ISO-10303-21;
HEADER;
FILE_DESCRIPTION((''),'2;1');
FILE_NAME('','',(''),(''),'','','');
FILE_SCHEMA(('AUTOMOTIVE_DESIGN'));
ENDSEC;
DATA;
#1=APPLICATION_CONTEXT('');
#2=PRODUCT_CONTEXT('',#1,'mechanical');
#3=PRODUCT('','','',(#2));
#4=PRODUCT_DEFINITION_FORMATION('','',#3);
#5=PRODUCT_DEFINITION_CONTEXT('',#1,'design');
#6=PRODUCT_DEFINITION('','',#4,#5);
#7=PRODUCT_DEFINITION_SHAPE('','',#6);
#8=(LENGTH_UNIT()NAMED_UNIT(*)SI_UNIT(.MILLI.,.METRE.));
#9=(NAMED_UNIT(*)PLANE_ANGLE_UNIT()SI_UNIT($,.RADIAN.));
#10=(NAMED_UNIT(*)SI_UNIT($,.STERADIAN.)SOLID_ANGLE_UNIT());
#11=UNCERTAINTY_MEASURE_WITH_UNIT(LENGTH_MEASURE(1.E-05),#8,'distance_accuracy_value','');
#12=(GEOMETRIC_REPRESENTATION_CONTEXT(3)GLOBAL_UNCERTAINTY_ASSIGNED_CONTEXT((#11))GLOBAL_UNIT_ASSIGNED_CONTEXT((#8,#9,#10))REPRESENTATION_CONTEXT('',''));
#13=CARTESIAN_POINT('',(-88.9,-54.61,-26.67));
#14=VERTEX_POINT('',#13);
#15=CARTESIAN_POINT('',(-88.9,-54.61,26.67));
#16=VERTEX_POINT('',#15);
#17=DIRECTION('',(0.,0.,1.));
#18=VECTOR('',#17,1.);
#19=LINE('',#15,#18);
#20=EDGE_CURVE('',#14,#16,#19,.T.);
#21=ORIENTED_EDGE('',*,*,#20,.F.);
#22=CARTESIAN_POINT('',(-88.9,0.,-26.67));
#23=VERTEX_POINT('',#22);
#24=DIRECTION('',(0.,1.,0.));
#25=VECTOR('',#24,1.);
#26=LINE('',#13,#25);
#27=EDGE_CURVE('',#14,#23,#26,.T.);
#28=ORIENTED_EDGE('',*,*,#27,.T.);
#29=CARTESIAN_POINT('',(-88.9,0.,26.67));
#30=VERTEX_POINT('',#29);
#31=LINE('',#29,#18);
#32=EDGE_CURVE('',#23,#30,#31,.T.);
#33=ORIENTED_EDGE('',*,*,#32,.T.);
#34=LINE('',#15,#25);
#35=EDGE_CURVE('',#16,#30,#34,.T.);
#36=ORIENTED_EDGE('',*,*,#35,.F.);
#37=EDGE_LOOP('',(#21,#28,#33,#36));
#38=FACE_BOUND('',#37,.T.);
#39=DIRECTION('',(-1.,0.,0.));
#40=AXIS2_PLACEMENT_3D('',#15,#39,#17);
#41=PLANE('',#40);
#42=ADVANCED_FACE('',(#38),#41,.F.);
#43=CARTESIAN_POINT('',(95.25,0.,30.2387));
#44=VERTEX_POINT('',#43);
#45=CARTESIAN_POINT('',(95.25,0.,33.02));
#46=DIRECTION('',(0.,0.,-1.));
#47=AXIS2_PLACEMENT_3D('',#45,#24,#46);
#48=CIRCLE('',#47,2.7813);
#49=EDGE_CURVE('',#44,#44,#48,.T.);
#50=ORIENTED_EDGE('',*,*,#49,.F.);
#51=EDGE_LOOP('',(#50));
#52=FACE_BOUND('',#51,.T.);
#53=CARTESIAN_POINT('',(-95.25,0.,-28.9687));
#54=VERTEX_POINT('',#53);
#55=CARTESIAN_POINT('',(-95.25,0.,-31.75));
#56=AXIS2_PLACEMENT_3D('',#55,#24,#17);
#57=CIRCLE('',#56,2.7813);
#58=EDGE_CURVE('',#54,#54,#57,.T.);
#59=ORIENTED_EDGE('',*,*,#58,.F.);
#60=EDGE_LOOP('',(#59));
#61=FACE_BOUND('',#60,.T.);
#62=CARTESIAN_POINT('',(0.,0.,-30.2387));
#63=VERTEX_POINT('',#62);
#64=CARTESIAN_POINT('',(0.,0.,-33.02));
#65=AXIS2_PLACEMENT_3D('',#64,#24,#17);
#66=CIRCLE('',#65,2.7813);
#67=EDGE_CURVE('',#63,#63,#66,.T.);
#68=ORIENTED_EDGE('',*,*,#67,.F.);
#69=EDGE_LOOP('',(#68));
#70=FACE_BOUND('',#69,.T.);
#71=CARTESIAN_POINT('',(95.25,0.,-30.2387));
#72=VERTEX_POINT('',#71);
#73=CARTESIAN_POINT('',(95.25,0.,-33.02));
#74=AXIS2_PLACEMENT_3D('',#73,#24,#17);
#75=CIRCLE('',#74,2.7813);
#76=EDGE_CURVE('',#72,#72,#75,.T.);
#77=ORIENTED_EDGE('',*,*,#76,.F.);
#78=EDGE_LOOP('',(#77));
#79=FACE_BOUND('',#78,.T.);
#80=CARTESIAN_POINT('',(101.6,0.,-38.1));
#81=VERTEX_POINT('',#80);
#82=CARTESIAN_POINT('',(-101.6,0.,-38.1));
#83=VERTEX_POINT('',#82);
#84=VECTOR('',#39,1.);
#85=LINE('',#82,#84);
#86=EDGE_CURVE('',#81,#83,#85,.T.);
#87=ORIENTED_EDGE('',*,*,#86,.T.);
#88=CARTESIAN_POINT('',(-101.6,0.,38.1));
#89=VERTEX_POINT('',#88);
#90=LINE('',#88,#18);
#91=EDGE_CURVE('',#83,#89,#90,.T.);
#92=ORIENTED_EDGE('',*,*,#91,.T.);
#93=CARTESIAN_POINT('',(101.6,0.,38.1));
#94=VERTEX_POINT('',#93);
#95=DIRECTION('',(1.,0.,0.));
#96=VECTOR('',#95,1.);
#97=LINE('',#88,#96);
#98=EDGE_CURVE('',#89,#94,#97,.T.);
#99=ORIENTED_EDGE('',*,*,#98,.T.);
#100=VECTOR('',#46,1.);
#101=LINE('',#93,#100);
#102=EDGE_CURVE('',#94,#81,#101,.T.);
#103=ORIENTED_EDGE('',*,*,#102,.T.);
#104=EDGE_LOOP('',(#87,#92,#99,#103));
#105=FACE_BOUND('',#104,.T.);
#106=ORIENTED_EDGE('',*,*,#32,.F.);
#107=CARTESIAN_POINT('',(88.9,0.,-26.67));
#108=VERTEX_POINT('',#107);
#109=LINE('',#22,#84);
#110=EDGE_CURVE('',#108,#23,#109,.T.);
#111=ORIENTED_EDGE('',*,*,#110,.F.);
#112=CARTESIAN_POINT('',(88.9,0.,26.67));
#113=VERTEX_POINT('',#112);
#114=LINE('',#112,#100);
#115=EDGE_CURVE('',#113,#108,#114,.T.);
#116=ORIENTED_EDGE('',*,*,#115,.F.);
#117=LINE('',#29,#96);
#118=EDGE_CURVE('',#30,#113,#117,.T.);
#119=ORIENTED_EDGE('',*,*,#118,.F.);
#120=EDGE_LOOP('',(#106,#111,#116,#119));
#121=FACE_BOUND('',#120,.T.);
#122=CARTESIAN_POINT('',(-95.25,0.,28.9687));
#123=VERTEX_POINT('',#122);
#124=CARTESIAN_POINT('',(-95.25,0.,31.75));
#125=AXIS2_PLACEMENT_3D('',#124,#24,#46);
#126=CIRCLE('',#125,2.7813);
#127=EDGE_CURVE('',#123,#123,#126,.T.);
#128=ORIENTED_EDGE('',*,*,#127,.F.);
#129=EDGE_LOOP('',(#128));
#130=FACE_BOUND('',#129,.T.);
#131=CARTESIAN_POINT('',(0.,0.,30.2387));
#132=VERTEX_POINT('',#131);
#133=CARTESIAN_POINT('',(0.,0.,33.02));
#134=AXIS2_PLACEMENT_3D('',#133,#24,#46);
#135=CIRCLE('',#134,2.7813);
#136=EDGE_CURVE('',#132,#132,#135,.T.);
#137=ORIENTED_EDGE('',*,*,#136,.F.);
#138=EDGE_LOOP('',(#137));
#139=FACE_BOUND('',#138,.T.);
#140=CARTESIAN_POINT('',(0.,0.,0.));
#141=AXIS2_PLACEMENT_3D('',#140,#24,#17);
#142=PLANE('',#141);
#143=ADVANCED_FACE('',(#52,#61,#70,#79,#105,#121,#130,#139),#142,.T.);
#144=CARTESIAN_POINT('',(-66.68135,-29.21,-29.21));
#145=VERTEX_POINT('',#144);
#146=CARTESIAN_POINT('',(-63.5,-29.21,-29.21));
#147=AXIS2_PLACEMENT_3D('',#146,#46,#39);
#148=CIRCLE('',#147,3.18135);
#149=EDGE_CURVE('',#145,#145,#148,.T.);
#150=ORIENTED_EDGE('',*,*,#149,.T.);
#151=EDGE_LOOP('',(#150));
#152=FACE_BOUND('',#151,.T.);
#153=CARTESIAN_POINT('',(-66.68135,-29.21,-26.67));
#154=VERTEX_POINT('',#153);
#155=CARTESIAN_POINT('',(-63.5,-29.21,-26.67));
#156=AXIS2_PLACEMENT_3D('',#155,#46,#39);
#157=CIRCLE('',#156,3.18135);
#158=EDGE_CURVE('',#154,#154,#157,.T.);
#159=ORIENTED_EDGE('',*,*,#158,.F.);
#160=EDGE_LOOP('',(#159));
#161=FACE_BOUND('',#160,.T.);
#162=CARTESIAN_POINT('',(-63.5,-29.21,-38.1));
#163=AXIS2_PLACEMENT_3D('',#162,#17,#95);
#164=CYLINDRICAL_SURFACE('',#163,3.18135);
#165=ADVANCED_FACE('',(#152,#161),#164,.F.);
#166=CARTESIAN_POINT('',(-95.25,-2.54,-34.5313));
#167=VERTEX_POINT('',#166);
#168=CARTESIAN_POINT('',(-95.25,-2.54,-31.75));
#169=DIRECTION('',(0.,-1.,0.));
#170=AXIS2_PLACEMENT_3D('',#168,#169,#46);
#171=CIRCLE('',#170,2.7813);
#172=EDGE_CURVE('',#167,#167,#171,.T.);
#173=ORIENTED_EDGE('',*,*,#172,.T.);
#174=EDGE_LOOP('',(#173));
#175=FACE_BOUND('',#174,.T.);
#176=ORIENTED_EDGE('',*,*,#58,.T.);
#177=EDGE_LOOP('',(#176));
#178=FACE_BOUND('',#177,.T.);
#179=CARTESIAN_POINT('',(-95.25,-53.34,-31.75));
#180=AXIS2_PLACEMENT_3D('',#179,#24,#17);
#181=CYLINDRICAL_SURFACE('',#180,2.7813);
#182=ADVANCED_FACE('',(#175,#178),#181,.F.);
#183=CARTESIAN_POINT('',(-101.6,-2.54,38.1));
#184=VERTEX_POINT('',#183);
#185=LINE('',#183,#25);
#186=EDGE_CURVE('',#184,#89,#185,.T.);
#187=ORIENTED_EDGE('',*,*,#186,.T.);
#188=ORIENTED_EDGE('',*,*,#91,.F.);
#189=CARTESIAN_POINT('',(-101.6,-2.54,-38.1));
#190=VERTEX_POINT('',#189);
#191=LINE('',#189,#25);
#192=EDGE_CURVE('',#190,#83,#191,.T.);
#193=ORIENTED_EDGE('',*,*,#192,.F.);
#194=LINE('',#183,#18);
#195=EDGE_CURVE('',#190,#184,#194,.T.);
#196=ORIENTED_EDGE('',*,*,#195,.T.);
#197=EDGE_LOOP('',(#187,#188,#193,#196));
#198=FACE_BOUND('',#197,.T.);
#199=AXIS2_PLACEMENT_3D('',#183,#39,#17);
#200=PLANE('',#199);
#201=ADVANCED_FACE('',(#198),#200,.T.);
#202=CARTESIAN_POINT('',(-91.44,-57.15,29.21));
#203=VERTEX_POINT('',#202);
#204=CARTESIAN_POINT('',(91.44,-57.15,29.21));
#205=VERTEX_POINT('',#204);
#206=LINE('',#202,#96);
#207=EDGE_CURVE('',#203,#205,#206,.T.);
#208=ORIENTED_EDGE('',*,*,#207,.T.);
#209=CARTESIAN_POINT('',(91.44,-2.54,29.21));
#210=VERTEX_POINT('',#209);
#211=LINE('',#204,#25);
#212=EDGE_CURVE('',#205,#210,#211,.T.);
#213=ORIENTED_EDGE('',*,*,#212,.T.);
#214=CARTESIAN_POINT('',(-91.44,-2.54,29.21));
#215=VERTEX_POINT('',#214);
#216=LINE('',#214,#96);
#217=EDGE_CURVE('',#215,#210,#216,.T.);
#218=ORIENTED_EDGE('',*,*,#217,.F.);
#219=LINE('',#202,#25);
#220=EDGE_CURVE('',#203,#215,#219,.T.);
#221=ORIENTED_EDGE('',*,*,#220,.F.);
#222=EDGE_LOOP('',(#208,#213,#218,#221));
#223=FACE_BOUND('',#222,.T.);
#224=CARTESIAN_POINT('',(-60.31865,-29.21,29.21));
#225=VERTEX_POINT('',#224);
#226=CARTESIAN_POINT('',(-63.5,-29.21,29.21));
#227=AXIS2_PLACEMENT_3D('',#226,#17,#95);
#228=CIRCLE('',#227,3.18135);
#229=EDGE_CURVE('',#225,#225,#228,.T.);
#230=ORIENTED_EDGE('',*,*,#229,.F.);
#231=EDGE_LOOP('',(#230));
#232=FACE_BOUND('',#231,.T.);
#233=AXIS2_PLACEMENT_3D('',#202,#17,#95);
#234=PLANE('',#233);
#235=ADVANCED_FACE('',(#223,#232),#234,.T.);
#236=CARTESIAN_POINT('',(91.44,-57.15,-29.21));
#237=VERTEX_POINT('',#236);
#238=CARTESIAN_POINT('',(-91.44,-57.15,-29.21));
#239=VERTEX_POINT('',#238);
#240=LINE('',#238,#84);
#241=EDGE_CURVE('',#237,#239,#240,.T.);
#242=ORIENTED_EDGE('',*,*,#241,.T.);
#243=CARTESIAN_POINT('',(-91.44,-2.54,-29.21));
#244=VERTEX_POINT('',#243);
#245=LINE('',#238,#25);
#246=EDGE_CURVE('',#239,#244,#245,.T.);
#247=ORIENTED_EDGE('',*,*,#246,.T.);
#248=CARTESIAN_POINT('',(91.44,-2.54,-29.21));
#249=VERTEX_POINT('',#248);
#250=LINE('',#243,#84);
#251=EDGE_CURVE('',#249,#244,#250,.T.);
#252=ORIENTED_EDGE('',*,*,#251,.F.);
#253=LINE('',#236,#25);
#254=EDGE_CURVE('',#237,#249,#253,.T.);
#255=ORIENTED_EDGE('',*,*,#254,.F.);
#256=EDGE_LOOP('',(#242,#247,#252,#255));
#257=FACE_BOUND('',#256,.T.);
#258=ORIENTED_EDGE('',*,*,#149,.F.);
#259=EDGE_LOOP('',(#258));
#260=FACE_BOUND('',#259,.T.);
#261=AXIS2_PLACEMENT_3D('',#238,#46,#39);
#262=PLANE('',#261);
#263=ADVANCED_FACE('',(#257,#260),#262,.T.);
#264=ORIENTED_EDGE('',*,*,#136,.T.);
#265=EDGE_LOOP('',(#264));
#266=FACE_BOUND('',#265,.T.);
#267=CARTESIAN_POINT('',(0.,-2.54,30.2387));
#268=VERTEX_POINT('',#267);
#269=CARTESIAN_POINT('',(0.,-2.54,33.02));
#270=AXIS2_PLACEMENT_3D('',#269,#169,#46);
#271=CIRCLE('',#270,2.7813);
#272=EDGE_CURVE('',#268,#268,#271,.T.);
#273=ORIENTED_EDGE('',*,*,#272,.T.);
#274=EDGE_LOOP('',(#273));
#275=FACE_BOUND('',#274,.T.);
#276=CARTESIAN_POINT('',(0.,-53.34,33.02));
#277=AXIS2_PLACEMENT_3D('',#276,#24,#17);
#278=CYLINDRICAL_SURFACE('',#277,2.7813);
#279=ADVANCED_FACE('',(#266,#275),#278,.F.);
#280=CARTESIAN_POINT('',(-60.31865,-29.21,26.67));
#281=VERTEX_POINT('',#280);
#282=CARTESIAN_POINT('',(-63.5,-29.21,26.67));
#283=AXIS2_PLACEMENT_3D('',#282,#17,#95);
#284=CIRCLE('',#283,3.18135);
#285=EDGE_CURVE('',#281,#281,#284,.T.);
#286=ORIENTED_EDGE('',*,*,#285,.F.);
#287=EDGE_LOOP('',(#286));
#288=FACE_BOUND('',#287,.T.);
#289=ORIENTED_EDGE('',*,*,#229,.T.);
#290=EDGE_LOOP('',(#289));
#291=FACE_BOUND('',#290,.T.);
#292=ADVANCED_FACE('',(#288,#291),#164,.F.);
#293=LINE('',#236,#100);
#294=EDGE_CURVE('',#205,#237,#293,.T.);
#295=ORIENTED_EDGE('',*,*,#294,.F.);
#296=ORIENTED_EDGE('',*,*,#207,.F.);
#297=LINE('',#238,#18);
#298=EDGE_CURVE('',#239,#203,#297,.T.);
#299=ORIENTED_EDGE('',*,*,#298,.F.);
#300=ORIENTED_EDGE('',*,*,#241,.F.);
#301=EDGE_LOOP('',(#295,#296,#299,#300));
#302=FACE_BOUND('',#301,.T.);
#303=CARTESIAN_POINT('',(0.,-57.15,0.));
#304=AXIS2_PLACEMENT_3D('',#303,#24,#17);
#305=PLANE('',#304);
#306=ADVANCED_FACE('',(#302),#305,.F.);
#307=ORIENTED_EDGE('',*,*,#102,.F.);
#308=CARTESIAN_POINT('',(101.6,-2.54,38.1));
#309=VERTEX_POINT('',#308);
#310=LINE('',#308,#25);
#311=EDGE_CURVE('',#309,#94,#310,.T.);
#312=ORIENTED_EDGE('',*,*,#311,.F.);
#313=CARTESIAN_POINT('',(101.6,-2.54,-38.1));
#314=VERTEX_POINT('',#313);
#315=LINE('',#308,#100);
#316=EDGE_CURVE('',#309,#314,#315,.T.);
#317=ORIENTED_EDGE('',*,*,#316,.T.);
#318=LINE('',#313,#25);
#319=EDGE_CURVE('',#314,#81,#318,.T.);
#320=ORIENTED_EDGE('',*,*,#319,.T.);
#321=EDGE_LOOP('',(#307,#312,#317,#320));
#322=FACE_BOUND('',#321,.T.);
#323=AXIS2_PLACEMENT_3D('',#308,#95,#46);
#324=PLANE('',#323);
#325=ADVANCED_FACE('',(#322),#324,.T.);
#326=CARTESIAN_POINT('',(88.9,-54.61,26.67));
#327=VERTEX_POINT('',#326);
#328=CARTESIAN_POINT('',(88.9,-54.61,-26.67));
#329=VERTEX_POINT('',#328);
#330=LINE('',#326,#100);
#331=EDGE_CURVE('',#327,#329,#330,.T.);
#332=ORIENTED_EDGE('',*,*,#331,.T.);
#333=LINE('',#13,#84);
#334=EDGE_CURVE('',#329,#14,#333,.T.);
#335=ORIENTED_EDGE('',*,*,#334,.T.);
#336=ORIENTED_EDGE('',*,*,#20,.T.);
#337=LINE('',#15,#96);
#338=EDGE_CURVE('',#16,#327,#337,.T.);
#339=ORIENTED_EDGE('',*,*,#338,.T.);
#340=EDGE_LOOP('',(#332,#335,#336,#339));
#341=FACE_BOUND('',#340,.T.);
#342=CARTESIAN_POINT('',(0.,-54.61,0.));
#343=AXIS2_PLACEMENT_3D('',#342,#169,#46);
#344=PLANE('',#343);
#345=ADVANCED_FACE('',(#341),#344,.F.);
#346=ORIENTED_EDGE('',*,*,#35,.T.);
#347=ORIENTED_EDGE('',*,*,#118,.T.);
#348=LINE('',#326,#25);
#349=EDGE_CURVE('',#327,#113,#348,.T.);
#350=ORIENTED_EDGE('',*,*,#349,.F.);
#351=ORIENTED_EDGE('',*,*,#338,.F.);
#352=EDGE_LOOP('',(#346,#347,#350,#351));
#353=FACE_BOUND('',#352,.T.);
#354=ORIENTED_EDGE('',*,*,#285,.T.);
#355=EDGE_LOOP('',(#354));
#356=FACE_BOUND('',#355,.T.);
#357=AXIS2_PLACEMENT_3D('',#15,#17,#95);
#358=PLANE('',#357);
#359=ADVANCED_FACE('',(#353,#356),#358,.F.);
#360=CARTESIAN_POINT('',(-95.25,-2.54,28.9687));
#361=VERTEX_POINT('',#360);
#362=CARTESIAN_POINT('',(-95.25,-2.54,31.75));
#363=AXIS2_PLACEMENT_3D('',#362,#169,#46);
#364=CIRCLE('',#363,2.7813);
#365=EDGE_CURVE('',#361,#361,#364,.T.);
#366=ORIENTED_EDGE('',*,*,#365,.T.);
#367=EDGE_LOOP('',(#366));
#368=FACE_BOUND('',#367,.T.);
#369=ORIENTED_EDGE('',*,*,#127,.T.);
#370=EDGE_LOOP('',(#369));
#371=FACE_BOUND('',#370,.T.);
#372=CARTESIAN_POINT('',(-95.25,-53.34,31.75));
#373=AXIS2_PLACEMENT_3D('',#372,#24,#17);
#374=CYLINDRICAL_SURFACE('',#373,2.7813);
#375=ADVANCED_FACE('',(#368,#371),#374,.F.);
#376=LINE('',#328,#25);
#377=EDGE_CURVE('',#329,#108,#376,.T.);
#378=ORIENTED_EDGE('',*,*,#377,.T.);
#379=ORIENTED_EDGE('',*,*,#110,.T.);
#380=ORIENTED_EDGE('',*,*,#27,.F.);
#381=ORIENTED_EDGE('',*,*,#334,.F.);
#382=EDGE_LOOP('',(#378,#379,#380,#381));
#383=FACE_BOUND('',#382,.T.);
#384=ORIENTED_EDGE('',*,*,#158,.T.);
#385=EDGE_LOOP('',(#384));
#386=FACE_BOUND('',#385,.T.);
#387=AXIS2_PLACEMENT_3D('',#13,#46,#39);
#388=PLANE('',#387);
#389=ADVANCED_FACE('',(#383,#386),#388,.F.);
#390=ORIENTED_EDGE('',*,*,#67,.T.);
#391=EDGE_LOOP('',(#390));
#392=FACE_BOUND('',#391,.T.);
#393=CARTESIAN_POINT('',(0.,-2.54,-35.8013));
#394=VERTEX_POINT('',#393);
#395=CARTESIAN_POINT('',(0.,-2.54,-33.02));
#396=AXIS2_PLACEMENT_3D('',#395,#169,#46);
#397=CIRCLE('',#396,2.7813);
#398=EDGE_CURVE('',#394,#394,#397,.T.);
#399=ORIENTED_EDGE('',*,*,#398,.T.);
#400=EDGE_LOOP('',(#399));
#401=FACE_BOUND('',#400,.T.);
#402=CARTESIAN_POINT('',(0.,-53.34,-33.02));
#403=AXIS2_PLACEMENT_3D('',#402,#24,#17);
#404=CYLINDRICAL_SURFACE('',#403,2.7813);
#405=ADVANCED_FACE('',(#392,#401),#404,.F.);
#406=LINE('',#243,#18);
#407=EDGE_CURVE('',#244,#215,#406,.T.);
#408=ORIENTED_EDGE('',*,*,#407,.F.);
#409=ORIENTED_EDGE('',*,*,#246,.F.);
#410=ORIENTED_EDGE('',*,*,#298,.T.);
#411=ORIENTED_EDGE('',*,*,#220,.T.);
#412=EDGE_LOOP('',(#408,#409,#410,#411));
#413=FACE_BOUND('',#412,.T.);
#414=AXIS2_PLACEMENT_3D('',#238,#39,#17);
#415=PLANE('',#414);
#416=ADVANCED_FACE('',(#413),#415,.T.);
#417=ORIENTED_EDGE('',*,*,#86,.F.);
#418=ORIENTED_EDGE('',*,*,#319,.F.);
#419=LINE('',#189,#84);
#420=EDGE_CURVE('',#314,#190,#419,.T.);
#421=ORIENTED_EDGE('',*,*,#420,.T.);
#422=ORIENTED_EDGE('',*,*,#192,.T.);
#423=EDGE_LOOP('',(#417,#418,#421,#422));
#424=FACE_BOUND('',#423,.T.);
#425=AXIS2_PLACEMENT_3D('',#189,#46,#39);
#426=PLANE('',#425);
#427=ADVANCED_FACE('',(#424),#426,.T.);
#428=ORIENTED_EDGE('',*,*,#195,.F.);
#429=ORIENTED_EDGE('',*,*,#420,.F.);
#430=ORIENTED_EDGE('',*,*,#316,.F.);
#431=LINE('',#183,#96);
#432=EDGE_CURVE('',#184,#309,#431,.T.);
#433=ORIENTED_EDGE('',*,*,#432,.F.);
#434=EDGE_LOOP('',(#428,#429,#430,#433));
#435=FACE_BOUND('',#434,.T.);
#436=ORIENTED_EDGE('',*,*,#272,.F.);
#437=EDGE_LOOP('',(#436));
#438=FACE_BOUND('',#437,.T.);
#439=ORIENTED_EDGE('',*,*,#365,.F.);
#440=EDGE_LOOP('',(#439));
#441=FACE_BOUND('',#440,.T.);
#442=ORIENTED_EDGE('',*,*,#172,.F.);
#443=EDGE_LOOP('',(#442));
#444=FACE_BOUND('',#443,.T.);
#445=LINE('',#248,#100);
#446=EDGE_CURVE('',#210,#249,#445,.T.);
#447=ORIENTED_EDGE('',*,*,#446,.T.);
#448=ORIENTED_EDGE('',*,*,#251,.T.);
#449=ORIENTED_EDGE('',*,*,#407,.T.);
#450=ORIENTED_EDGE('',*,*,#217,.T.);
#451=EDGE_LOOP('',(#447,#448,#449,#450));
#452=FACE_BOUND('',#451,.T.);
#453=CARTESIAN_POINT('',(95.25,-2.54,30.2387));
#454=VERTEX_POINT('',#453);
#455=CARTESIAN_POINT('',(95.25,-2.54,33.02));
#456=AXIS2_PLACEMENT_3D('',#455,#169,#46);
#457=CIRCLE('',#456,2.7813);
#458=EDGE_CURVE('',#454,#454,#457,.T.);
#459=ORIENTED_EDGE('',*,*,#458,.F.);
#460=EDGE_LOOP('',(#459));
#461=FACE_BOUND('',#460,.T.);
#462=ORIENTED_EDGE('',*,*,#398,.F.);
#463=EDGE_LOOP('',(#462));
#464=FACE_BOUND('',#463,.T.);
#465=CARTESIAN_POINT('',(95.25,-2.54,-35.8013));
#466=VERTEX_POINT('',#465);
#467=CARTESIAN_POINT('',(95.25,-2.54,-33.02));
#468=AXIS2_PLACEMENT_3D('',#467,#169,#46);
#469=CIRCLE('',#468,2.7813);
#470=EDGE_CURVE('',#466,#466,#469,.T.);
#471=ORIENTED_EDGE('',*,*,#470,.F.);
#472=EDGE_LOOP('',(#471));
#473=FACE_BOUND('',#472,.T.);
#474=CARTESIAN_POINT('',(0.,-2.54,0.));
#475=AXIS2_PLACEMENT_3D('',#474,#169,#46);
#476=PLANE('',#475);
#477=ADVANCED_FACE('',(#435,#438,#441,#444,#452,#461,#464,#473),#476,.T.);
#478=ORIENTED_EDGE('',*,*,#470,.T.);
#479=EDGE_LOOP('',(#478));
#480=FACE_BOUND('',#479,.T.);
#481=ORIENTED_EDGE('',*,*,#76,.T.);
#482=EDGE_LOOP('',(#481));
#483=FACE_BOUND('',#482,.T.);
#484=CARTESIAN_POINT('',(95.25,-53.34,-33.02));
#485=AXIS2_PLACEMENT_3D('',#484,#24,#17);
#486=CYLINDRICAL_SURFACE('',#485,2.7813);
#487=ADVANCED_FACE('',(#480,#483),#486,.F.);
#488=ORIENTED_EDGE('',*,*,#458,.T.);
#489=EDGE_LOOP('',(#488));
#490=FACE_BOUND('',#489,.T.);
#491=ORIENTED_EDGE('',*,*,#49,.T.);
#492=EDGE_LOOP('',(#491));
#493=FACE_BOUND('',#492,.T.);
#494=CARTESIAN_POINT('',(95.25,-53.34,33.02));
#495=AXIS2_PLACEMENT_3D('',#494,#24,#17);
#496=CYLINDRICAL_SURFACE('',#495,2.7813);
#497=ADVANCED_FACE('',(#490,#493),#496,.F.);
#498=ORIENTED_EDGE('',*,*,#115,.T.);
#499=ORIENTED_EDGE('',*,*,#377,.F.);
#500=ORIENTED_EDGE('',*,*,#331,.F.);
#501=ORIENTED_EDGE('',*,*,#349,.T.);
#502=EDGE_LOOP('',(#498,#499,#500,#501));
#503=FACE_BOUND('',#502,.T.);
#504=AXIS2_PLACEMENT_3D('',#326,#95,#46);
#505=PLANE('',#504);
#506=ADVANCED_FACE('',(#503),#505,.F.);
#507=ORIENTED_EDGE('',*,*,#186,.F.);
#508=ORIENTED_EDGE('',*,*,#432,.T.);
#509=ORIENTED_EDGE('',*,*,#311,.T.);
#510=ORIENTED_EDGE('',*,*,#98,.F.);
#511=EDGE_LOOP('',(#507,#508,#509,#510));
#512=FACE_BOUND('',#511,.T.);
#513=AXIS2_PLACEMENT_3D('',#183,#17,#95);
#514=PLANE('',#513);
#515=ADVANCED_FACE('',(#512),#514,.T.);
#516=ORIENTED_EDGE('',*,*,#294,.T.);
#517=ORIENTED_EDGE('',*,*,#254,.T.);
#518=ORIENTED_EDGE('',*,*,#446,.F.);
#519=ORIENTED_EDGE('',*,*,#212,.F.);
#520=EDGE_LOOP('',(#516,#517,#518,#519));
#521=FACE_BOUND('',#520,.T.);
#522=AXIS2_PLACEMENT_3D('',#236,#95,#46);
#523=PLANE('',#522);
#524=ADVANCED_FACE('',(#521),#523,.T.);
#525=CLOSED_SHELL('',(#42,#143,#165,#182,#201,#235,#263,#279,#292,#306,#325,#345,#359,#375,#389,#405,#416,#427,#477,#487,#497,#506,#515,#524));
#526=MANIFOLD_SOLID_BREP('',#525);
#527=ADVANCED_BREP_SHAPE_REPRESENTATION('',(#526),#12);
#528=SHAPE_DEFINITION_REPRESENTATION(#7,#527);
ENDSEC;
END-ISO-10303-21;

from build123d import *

# Parameters (mm, degrees)
SKETCH3_W           = 182.88
SKETCH3_H           = 58.42
BOSS_EXTRUDE1_DEPTH = 57.15
SKETCH4_W           = 203.2
SKETCH4_H           = 76.2
BOSS_EXTRUDE2_DEPTH = 2.54
SKETCH5_W           = 177.8
SKETCH5_H           = 53.34
CUT_EXTRUDE1_DEPTH  = 54.61
SKETCH6_R           = 2.7813
CUT_EXTRUDE2_DEPTH  = 53.34
SKETCH8_R           = 3.18135
CUT_EXTRUDE3_DEPTH  = 38.1


with BuildPart() as part:
    # Sketch3 → Boss-Extrude1 (new body)
    with BuildSketch(Plane(origin=(0, 0, 0), x_dir=(1, 0, 0), z_dir=(0, 1, 0))):
        Rectangle(SKETCH3_W, SKETCH3_H)
    extrude(amount=-BOSS_EXTRUDE1_DEPTH)

    # Sketch4 → Boss-Extrude2 (add)
    with BuildSketch(Plane(origin=(0, 0, 0), x_dir=(1, 0, 0), z_dir=(0, 1, 0))):
        Rectangle(SKETCH4_W, SKETCH4_H)
    extrude(amount=-BOSS_EXTRUDE2_DEPTH)

    # Sketch5 → Cut-Extrude1 (cut)
    with BuildSketch(Plane(origin=(0, 0, 0), x_dir=(1, 0, 0), z_dir=(0, 1, 0))):
        Rectangle(SKETCH5_W, SKETCH5_H)
    extrude(amount=-CUT_EXTRUDE1_DEPTH, mode=Mode.SUBTRACT)

    # Sketch6 → Cut-Extrude2 (cut)
    with BuildSketch(Plane(origin=(0, 0, 0), x_dir=(1, 0, 0), z_dir=(0, 1, 0))):
        with Locations((-95.25, 31.75)):
            Circle(SKETCH6_R)
        with Locations((0, 33.02)):
            Circle(SKETCH6_R)
        with Locations((95.25, 33.02)):
            Circle(SKETCH6_R)
        with Locations((95.25, -33.02)):
            Circle(SKETCH6_R)
        with Locations((0, -33.02)):
            Circle(SKETCH6_R)
        with Locations((-95.25, -31.75)):
            Circle(SKETCH6_R)
    extrude(amount=-CUT_EXTRUDE2_DEPTH, mode=Mode.SUBTRACT)

    # Sketch8 → Cut-Extrude3 (cut, symmetric)
    with BuildSketch(Plane.XY):
        with Locations((-63.5, -29.21)):
            Circle(SKETCH8_R)
    extrude(amount=CUT_EXTRUDE3_DEPTH, both=True, mode=Mode.SUBTRACT)


solid = part.part
